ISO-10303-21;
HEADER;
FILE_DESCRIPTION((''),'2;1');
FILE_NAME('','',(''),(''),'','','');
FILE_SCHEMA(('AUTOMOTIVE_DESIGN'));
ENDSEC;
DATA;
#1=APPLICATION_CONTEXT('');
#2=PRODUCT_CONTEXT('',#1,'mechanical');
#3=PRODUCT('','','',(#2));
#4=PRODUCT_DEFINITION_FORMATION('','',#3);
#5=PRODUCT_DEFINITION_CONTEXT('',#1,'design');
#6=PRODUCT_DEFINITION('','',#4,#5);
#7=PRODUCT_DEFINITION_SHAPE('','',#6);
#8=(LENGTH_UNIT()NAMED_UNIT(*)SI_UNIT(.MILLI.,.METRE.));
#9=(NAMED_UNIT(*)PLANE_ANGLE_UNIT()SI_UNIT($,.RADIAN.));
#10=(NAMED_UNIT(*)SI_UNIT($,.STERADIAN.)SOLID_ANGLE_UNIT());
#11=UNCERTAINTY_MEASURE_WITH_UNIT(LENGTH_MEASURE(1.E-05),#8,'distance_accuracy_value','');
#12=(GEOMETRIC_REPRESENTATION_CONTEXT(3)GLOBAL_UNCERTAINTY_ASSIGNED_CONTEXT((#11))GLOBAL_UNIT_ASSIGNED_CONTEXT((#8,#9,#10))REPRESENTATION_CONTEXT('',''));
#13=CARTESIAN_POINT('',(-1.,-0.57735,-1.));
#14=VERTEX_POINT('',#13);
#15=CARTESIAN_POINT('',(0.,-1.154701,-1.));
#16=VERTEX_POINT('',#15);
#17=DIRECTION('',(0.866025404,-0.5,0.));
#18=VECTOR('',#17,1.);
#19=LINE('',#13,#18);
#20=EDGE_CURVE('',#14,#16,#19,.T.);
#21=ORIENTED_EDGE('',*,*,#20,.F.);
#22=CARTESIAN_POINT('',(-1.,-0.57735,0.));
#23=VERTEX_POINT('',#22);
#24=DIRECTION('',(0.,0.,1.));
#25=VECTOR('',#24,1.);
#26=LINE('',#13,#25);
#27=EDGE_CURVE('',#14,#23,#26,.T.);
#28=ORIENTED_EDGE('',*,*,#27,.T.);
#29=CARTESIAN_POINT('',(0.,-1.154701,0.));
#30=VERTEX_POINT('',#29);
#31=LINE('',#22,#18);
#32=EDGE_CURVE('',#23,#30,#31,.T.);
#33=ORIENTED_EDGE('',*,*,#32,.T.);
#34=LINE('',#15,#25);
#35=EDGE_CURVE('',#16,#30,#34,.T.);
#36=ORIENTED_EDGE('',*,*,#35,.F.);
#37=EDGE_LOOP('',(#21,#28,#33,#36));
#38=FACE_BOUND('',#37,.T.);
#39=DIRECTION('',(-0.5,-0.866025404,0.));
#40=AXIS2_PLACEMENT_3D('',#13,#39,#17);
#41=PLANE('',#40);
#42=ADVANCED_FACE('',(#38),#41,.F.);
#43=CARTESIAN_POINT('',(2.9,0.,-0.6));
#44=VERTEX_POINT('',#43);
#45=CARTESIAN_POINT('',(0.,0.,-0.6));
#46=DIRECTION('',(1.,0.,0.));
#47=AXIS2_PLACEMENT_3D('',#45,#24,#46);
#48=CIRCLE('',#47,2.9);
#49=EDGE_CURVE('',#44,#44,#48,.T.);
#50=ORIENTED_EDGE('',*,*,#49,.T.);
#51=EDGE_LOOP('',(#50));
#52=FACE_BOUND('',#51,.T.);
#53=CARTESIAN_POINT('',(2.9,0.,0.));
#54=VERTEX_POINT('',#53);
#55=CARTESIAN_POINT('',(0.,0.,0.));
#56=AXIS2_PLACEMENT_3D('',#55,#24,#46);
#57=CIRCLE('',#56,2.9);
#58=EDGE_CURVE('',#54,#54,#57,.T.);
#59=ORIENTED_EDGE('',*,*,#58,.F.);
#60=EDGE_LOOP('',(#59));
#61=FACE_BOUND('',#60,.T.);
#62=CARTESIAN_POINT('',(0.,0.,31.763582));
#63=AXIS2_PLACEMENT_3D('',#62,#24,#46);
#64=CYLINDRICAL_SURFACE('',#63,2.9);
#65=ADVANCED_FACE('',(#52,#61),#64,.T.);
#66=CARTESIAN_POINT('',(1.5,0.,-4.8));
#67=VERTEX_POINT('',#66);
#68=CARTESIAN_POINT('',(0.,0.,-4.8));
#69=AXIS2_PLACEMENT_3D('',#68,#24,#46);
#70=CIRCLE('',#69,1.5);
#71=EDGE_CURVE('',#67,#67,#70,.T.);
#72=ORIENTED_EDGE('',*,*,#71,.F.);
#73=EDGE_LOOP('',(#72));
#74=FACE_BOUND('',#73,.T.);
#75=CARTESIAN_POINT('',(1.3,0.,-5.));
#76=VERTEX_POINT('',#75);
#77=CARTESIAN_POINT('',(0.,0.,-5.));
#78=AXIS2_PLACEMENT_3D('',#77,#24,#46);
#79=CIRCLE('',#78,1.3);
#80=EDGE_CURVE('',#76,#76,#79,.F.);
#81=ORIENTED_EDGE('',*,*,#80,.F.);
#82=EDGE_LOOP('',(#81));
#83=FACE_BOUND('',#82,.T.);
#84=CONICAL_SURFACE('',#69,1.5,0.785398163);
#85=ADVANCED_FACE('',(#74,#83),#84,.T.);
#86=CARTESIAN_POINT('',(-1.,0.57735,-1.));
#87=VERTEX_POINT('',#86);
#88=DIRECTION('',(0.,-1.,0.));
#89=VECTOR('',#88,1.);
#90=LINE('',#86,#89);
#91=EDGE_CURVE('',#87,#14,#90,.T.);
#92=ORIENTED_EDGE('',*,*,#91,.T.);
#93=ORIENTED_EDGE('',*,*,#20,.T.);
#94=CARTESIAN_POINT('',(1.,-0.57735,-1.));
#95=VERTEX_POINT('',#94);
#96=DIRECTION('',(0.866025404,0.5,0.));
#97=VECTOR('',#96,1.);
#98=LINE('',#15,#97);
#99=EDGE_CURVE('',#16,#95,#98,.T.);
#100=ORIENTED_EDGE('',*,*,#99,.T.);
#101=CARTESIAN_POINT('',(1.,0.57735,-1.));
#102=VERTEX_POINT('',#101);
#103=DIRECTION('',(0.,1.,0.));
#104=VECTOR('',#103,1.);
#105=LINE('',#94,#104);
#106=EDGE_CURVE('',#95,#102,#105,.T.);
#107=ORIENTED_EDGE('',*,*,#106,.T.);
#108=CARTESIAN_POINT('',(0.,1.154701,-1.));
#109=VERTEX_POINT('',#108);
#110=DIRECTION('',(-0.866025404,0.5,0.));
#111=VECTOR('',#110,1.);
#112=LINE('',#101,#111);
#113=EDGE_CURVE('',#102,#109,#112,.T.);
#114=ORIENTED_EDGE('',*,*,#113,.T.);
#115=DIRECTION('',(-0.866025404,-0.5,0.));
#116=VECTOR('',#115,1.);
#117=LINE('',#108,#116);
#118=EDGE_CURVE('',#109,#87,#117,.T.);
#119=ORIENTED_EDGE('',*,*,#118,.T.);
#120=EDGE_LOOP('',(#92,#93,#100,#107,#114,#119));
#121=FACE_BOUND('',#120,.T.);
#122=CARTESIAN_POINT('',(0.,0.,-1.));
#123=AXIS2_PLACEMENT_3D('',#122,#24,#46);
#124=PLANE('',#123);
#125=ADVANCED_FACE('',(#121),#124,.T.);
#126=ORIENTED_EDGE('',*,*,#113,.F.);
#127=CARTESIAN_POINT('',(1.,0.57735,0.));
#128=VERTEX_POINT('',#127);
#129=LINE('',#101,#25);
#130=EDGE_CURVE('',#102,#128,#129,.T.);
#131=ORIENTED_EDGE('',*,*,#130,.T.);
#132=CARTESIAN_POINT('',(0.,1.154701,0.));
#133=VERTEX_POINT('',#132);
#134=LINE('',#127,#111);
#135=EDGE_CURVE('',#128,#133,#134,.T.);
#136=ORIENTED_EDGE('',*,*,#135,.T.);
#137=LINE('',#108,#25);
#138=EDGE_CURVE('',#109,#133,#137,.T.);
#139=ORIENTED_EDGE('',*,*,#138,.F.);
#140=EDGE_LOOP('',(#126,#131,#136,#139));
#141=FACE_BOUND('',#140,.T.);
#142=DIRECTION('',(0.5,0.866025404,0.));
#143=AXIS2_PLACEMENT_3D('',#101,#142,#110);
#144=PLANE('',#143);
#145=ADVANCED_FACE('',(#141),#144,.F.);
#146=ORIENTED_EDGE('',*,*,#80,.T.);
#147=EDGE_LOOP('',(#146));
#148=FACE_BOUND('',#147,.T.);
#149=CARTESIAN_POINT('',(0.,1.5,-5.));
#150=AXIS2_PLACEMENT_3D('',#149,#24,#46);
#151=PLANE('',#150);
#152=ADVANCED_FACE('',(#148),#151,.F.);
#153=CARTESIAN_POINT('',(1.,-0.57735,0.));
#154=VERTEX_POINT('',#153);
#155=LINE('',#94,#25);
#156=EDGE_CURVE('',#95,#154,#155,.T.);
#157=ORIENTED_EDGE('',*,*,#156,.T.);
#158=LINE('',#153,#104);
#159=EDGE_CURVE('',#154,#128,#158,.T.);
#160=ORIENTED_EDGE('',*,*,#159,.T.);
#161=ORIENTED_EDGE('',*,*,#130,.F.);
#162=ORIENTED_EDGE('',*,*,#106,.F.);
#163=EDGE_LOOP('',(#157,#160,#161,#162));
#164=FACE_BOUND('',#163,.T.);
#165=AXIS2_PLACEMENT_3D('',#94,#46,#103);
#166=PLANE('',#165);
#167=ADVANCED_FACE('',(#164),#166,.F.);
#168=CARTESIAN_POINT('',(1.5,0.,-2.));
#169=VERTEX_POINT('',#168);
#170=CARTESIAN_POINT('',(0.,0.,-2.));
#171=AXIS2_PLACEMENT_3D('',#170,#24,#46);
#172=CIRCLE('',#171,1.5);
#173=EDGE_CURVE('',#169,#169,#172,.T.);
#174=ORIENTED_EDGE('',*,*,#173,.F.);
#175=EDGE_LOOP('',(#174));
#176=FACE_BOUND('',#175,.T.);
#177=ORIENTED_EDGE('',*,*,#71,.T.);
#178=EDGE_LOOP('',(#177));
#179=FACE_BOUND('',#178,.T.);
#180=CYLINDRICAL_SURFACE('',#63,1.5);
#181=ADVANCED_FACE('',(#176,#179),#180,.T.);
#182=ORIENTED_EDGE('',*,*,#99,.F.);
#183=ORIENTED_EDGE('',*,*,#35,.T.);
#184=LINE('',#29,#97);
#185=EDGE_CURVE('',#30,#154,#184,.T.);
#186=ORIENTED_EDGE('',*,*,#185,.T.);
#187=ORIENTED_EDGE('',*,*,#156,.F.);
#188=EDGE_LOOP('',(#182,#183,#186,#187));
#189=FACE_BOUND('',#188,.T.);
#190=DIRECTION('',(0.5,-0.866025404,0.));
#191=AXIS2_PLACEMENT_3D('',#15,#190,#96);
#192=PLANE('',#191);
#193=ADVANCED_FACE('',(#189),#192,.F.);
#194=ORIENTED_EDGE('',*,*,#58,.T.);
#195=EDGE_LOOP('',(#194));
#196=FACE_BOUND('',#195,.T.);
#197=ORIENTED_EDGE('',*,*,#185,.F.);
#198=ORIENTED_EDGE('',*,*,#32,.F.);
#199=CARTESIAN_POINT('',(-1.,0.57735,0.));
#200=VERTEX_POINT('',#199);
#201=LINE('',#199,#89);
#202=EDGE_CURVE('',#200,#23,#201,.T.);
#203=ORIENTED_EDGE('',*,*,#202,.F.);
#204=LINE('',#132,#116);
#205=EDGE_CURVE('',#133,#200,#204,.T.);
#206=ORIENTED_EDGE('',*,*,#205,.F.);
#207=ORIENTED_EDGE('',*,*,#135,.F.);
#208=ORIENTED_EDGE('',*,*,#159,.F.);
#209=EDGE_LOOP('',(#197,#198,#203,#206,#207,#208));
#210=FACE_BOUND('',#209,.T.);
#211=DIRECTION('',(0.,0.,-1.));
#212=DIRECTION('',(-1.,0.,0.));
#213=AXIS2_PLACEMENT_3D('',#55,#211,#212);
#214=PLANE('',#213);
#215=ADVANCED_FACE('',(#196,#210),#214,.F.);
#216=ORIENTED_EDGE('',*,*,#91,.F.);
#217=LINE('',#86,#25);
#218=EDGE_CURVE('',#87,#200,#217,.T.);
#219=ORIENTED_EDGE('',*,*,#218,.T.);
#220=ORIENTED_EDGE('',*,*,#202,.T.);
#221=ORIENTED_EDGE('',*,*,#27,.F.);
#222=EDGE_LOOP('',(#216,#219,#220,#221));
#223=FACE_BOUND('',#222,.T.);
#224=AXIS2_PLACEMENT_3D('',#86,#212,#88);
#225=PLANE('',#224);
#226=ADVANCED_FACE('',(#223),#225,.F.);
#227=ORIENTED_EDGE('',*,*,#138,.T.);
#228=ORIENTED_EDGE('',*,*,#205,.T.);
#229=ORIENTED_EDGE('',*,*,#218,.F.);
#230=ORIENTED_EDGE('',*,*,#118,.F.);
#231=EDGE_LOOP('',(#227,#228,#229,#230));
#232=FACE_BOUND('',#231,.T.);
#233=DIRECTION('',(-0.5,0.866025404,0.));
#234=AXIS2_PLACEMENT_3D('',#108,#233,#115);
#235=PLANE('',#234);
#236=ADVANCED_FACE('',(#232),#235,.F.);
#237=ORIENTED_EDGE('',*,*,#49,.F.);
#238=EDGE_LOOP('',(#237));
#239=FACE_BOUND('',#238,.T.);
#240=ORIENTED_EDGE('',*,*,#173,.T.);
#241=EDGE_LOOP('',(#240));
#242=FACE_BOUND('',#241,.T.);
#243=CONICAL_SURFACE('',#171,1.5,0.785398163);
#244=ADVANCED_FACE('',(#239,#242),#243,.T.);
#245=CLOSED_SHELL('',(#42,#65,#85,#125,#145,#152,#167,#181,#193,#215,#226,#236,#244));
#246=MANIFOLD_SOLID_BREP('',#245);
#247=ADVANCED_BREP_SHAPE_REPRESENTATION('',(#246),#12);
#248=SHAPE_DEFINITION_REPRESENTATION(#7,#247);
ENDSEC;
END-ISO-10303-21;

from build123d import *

# Parameters (mm, degrees)
SCHNITT_LINEAR_AUSTRAGEN1_DEPTH = 1
FASE1_SIZE                      = 0.2


with BuildPart() as part:
    # Skizze1 → Rotation1 (revolve)
    with BuildSketch(Plane(origin=(0, 0, 0), x_dir=(0, 0, -1), z_dir=(1, 0, 0))):
        Polygon((0, 0), (0, 2.9), (0.6, 2.9), (2, 1.5), (5, 1.5), (5, 0), align=None)
    revolve(axis=Axis((0, 0, 31.763581507), (0, 0, -1)))

    # Skizze3 → Schnitt-Linear austragen1 (cut)
    with BuildSketch(Plane.XY):
        Polygon((1, -0.577350269), (1, 0.577350269), (0, 1.154700538), (-1, 0.577350269), (-1, -0.577350269), (0, -1.154700538), align=None)
    extrude(amount=-SCHNITT_LINEAR_AUSTRAGEN1_DEPTH, mode=Mode.SUBTRACT)

    # Fase1
    fase1_edges = [part.edges().sort_by_distance(p)[0] for p in [
        (0, -1.5, -5),
    ]]
    chamfer(fase1_edges, length=FASE1_SIZE)


solid = part.part
